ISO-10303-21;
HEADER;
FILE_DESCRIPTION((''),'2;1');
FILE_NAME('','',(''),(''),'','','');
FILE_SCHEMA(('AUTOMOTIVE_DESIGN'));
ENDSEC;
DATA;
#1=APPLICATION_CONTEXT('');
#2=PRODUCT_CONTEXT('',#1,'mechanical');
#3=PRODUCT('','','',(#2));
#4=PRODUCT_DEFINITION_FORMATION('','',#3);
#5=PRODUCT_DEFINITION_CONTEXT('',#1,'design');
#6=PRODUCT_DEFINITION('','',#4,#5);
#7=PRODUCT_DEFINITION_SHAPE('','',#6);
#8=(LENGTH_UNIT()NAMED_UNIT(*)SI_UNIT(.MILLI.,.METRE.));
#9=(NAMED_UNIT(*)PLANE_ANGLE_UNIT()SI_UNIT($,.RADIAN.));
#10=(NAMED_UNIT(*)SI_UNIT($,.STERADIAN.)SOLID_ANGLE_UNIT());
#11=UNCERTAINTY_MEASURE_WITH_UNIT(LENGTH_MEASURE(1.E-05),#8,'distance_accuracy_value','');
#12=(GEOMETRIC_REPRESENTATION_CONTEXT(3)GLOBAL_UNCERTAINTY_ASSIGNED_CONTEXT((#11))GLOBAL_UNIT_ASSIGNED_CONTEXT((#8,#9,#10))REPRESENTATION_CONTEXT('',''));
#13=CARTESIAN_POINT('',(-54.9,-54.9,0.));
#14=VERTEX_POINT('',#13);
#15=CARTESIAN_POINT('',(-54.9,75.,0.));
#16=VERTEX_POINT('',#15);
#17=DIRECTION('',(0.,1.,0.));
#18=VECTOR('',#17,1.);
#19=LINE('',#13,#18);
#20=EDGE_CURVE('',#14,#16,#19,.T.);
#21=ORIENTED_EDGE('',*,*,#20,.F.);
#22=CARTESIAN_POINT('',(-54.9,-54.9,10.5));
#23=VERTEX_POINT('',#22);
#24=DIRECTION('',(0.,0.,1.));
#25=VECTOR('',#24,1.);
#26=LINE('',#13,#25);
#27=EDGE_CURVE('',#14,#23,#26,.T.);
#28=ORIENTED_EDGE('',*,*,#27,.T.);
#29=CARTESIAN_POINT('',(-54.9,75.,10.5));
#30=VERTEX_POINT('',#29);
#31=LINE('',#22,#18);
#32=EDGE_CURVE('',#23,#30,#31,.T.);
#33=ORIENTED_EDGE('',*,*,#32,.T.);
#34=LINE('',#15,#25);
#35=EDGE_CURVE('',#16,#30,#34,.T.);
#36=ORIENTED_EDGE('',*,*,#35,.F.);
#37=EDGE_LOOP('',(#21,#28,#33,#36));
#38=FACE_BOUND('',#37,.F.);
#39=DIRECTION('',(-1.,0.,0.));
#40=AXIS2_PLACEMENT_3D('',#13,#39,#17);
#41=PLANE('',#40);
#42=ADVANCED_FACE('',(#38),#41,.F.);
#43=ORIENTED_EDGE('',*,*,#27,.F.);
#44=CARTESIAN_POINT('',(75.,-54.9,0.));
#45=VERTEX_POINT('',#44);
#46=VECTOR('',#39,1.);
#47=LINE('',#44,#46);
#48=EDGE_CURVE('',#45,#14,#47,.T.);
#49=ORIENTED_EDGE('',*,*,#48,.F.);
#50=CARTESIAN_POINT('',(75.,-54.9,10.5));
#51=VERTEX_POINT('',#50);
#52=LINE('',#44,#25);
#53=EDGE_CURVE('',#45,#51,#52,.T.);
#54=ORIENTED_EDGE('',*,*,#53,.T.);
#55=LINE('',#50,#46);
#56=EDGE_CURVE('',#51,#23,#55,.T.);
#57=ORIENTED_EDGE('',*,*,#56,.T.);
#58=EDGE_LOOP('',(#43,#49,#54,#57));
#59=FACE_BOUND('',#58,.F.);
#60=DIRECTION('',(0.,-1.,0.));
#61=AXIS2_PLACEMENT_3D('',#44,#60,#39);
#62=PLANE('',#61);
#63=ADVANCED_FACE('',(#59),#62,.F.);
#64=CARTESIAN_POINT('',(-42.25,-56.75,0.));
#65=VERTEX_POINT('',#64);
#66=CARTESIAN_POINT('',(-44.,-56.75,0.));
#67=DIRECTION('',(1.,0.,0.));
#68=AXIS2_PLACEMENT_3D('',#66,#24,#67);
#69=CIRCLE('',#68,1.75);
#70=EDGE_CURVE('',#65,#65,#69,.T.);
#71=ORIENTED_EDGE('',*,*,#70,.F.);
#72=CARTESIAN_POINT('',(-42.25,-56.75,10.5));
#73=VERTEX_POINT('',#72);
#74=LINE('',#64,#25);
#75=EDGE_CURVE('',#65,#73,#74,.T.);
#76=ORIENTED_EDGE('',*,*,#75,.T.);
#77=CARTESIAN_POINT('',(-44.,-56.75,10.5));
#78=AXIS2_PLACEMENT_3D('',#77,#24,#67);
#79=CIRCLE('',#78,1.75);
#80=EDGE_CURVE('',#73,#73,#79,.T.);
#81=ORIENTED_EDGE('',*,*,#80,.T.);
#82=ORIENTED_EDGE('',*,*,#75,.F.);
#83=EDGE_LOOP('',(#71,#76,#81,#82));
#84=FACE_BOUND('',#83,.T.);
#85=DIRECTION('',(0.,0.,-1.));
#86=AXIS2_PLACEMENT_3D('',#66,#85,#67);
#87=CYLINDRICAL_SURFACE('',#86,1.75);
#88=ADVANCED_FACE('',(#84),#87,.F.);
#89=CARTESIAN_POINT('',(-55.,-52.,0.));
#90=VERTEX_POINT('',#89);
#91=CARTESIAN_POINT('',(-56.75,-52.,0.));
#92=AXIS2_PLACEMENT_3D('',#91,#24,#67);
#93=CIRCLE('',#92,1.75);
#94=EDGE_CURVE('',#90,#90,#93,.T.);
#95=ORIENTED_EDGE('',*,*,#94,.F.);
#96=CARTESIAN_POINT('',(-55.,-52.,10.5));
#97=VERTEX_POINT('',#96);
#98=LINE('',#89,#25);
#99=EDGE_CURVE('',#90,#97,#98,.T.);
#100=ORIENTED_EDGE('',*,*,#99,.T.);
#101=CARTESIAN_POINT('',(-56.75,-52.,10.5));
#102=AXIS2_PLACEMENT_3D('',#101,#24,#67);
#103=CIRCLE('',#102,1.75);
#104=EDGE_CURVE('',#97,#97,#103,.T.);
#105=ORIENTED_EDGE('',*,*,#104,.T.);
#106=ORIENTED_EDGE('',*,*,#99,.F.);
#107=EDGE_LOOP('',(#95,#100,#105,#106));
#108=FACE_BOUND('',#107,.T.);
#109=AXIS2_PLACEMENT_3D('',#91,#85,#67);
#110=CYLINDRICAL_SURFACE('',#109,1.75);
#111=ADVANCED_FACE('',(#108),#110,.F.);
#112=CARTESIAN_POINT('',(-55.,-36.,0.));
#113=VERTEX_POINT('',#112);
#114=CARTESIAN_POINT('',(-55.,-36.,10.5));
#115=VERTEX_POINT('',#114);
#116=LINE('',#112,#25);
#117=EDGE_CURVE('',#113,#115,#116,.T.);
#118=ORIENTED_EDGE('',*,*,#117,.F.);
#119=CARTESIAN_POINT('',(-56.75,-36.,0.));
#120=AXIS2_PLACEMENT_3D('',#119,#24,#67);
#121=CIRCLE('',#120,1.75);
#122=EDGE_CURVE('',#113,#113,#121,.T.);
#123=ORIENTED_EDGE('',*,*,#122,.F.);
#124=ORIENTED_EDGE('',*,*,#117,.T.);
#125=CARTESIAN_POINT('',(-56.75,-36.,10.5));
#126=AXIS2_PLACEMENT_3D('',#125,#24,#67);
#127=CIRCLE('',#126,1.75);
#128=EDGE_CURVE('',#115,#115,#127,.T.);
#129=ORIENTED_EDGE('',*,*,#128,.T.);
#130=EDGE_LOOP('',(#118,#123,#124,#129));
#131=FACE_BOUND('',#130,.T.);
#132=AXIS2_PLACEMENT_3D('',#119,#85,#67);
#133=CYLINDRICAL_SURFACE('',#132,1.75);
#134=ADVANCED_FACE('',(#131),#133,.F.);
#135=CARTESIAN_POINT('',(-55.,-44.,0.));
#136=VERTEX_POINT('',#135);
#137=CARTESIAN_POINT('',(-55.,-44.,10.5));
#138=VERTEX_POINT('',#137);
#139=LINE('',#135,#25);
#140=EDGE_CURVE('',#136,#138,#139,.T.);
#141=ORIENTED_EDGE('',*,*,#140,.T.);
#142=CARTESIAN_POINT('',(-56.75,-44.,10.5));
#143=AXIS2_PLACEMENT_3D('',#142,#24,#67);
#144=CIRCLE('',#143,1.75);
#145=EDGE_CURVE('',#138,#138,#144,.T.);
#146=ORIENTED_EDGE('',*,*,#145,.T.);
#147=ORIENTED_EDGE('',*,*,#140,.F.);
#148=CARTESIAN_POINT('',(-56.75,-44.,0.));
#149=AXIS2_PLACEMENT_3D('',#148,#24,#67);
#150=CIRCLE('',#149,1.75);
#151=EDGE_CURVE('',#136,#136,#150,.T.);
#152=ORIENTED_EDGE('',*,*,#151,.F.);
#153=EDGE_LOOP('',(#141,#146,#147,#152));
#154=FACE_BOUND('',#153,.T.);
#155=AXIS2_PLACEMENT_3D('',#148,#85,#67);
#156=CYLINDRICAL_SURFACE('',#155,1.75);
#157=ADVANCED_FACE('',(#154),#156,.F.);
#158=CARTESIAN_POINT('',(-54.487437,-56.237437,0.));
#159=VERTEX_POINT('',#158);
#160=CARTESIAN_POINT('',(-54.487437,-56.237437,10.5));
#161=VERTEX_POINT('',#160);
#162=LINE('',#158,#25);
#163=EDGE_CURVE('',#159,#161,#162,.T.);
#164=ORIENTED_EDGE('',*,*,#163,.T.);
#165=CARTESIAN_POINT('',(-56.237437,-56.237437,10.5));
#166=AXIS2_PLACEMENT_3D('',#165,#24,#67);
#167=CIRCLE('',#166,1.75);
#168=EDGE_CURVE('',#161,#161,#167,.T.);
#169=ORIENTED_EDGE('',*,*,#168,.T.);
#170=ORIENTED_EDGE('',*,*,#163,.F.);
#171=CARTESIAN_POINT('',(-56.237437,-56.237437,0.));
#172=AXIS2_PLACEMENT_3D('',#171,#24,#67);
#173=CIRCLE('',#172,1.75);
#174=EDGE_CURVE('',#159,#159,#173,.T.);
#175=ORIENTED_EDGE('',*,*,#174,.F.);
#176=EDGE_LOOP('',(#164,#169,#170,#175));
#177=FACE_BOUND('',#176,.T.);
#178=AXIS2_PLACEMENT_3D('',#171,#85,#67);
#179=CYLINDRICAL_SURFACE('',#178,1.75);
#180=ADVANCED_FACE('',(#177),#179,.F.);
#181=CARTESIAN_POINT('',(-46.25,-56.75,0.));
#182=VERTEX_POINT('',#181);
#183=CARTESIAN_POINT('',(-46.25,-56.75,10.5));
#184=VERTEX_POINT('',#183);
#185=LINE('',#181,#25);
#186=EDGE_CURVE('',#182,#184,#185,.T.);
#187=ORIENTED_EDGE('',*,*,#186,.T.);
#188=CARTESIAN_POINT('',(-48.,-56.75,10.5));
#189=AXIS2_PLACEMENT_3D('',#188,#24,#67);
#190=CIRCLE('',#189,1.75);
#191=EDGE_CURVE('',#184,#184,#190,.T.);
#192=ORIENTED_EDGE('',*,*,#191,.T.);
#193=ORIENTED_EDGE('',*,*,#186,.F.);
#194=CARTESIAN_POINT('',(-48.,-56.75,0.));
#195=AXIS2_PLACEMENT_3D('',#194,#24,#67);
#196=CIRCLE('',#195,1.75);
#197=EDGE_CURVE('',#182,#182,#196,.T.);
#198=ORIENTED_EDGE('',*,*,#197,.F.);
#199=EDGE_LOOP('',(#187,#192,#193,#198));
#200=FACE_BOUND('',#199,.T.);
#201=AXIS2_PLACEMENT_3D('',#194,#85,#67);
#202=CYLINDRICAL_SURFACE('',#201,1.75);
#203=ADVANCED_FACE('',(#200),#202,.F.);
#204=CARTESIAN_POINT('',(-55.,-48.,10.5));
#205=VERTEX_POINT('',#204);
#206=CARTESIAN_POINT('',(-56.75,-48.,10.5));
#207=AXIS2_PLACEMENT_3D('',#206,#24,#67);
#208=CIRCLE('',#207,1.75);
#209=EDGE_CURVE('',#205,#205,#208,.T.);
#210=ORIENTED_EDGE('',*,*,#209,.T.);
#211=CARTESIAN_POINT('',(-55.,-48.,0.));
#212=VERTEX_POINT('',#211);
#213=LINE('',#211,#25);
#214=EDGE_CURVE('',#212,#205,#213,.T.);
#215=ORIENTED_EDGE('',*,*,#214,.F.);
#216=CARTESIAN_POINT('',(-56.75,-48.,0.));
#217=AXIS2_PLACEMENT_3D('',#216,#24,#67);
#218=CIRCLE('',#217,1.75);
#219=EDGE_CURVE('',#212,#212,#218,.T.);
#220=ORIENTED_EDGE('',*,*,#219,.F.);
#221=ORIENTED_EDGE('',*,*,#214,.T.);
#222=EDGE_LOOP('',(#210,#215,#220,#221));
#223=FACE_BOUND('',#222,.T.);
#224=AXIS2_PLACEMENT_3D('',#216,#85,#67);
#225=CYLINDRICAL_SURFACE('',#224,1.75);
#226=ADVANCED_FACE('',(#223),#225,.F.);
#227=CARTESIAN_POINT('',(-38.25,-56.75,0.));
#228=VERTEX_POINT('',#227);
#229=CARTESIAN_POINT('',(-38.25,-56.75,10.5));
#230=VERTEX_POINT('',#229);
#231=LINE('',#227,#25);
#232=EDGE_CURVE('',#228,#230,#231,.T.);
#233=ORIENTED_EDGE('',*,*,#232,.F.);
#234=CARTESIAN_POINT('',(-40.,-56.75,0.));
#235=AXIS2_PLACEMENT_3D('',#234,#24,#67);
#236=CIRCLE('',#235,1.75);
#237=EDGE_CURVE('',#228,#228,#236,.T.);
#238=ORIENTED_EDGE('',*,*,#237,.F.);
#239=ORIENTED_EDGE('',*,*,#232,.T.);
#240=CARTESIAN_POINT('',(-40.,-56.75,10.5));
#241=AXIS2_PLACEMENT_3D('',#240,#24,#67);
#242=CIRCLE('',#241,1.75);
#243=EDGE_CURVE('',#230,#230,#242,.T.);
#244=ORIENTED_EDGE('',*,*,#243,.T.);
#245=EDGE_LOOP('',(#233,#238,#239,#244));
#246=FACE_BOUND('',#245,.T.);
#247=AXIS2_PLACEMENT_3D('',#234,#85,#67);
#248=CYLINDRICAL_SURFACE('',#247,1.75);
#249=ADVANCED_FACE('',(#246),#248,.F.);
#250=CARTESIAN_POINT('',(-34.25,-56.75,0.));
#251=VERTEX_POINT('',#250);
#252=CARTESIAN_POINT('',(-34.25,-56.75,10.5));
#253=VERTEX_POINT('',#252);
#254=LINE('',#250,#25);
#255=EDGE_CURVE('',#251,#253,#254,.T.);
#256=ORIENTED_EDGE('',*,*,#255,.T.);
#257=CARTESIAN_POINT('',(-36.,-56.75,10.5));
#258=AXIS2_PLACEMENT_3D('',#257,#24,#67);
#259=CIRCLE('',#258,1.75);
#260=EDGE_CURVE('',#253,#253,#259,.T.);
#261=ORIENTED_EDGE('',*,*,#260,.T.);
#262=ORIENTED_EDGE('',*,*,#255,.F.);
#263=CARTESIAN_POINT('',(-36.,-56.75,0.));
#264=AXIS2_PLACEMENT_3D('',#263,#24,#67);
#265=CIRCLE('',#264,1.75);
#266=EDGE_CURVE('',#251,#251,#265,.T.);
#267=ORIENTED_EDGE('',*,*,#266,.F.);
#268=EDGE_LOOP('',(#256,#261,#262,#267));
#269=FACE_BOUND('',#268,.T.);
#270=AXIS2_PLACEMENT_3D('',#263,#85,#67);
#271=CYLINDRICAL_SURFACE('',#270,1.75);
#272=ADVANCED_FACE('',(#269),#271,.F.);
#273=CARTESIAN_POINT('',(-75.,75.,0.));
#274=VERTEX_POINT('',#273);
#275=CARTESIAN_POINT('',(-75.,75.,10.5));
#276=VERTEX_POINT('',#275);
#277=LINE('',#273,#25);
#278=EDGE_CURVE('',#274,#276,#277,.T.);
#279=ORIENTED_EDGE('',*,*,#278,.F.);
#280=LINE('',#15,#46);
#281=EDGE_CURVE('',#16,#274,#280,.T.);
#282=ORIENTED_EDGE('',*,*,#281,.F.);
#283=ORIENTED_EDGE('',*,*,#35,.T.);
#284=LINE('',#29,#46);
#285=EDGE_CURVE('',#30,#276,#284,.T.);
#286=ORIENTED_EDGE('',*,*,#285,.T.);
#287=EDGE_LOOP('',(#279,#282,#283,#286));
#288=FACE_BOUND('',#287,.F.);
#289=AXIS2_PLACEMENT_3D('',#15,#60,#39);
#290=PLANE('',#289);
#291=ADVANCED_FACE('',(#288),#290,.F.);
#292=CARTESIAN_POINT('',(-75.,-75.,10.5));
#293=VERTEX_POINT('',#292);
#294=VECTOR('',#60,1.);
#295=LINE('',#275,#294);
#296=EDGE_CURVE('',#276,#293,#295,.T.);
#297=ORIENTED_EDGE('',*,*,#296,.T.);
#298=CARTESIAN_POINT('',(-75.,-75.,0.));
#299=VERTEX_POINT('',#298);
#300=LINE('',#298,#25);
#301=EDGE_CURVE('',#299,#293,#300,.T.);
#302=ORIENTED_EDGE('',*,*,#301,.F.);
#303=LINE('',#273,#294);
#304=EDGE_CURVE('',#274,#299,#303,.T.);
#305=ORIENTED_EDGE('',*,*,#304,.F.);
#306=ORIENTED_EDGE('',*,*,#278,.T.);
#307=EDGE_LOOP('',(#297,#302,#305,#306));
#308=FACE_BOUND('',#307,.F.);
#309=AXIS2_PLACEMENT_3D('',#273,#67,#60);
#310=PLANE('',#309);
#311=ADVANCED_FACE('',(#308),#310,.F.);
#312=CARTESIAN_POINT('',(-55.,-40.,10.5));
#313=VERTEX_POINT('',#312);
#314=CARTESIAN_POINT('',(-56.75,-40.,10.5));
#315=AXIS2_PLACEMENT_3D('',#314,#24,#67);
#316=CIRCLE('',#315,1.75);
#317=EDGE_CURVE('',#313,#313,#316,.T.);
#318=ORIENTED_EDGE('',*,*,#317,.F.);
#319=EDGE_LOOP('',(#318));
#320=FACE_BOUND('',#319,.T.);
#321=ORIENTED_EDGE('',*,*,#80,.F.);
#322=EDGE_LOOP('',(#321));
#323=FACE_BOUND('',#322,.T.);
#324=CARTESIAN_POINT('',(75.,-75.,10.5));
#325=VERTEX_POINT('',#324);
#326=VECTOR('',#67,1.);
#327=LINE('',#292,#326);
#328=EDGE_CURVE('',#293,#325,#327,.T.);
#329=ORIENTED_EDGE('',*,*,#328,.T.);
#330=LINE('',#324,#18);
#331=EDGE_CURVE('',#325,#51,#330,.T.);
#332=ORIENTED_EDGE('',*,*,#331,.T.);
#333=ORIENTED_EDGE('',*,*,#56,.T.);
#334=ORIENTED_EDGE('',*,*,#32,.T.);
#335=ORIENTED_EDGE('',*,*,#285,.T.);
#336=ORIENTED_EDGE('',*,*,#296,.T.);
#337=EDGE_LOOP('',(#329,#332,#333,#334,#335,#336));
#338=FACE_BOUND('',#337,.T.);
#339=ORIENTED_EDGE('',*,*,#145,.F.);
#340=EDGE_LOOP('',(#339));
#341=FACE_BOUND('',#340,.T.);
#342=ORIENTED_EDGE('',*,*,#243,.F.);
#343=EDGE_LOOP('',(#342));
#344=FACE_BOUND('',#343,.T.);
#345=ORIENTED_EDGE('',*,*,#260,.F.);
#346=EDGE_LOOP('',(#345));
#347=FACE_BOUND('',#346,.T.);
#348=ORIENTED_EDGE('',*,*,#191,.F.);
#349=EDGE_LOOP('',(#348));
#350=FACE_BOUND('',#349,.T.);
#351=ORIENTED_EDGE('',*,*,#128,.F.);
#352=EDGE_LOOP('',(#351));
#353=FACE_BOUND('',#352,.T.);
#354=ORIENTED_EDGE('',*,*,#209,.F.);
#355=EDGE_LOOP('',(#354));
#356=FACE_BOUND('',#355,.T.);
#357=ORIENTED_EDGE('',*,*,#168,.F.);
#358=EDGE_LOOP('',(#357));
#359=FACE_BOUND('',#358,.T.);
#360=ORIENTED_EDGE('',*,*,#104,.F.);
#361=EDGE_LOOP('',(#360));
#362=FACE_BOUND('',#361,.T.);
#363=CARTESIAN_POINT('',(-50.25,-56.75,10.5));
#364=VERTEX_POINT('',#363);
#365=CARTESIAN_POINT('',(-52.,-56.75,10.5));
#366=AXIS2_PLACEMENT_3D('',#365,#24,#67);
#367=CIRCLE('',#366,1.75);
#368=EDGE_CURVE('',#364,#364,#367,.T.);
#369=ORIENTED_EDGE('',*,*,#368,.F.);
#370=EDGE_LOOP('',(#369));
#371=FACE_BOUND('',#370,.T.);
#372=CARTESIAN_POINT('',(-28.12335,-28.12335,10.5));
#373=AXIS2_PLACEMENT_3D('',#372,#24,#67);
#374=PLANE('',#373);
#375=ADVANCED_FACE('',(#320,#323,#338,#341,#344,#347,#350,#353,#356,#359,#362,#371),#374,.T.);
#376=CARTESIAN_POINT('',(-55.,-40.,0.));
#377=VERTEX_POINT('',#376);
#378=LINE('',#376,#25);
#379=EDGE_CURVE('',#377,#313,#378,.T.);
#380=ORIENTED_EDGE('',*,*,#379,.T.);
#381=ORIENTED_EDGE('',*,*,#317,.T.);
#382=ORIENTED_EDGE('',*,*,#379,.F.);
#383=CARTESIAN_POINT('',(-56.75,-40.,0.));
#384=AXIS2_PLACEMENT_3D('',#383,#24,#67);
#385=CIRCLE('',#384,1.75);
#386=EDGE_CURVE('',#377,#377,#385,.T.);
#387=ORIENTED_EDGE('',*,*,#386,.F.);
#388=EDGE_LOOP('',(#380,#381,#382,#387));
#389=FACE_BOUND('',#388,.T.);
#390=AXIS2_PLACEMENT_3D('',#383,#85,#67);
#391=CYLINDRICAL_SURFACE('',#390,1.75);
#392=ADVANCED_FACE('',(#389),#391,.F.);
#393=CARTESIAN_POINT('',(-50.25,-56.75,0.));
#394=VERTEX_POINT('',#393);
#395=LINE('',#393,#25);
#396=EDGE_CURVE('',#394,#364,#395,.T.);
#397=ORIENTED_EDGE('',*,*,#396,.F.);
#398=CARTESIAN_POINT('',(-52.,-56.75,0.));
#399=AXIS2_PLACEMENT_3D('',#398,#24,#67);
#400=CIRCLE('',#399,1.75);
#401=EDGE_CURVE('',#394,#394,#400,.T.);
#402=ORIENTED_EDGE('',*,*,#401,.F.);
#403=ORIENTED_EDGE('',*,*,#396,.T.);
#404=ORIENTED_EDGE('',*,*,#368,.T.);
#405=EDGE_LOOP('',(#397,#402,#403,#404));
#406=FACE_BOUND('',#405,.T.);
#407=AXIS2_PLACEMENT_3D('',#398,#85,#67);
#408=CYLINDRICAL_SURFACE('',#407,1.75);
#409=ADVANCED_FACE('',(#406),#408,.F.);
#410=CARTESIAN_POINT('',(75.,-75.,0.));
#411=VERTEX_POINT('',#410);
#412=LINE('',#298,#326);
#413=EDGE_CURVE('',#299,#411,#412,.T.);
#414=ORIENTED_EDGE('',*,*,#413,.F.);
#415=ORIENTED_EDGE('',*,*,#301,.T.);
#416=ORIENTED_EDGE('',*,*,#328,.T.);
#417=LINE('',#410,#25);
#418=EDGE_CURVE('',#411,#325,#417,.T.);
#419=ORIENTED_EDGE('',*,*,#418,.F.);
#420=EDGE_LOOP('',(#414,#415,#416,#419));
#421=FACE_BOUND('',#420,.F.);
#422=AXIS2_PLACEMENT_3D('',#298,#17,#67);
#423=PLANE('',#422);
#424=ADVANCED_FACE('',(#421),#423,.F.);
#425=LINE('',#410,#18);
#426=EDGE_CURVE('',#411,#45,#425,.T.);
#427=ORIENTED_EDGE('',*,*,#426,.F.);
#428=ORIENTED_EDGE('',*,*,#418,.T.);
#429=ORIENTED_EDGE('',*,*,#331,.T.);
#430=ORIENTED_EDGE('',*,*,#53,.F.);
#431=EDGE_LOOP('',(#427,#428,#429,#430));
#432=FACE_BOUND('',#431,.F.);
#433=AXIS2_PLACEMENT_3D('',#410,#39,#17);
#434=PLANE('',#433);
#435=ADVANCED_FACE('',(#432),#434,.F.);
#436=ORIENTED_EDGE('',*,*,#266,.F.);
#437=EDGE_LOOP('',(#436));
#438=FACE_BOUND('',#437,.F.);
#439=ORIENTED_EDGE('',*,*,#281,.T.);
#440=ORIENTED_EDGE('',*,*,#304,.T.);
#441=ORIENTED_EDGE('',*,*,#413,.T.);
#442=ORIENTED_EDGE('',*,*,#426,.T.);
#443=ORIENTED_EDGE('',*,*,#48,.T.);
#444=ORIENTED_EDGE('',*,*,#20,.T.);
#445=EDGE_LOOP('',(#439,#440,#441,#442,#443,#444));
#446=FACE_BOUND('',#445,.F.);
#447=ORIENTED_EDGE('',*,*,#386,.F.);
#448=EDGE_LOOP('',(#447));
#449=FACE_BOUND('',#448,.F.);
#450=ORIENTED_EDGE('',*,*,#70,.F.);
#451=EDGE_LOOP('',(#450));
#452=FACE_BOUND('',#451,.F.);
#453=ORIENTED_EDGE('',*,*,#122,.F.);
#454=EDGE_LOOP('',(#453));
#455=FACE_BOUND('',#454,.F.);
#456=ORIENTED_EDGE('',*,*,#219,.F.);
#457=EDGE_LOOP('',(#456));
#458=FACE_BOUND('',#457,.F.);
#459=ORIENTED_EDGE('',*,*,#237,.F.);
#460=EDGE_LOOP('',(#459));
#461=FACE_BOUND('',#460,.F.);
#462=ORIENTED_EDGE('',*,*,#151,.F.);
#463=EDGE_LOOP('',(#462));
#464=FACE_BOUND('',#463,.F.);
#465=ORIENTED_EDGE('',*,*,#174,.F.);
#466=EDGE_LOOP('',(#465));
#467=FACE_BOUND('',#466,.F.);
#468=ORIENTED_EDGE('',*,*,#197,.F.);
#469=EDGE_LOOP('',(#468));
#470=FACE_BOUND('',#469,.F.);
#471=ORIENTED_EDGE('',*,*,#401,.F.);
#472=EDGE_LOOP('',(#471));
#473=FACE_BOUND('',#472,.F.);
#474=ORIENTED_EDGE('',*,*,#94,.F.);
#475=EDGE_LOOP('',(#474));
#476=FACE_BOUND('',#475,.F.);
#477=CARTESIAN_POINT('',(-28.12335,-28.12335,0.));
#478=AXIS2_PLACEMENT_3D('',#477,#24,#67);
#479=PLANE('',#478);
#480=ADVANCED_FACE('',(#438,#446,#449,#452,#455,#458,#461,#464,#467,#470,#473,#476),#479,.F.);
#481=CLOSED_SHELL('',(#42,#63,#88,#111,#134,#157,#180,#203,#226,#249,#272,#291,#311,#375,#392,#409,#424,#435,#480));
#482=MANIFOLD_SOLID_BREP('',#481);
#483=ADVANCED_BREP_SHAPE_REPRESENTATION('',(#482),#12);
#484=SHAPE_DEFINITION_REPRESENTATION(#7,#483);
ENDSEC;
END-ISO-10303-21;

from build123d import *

# Parameters (mm, degrees)
F0_R     = 1.75
F1_DEPTH = 10.5


with BuildPart() as f1:
    # F0 (on Top) → F1 (new body)
    with BuildSketch(Plane.XY):
        Polygon((-75, -75), (75, -75), (75, -55), (75, -54.9), (-54.9, -54.9), (-54.9, 75), (-55, 75), (-75, 75), align=None)
        with Locations((-52, -56.75)):
            Circle(F0_R, mode=Mode.SUBTRACT)
        with Locations((-48, -56.75)):
            Circle(F0_R, mode=Mode.SUBTRACT)
        with Locations((-44, -56.75)):
            Circle(F0_R, mode=Mode.SUBTRACT)
        with Locations((-40, -56.75)):
            Circle(F0_R, mode=Mode.SUBTRACT)
        with Locations((-56.75, -52)):
            Circle(F0_R, mode=Mode.SUBTRACT)
        with Locations((-56.75, -48)):
            Circle(F0_R, mode=Mode.SUBTRACT)
        with Locations((-56.75, -44)):
            Circle(F0_R, mode=Mode.SUBTRACT)
        with Locations((-56.75, -40)):
            Circle(F0_R, mode=Mode.SUBTRACT)
        with Locations((-56.237437, -56.237437)):
            Circle(F0_R, mode=Mode.SUBTRACT)
        with Locations((-36, -56.75)):
            Circle(F0_R, mode=Mode.SUBTRACT)
        with Locations((-56.75, -36)):
            Circle(F0_R, mode=Mode.SUBTRACT)
    extrude(amount=F1_DEPTH)


solid = f1.part
